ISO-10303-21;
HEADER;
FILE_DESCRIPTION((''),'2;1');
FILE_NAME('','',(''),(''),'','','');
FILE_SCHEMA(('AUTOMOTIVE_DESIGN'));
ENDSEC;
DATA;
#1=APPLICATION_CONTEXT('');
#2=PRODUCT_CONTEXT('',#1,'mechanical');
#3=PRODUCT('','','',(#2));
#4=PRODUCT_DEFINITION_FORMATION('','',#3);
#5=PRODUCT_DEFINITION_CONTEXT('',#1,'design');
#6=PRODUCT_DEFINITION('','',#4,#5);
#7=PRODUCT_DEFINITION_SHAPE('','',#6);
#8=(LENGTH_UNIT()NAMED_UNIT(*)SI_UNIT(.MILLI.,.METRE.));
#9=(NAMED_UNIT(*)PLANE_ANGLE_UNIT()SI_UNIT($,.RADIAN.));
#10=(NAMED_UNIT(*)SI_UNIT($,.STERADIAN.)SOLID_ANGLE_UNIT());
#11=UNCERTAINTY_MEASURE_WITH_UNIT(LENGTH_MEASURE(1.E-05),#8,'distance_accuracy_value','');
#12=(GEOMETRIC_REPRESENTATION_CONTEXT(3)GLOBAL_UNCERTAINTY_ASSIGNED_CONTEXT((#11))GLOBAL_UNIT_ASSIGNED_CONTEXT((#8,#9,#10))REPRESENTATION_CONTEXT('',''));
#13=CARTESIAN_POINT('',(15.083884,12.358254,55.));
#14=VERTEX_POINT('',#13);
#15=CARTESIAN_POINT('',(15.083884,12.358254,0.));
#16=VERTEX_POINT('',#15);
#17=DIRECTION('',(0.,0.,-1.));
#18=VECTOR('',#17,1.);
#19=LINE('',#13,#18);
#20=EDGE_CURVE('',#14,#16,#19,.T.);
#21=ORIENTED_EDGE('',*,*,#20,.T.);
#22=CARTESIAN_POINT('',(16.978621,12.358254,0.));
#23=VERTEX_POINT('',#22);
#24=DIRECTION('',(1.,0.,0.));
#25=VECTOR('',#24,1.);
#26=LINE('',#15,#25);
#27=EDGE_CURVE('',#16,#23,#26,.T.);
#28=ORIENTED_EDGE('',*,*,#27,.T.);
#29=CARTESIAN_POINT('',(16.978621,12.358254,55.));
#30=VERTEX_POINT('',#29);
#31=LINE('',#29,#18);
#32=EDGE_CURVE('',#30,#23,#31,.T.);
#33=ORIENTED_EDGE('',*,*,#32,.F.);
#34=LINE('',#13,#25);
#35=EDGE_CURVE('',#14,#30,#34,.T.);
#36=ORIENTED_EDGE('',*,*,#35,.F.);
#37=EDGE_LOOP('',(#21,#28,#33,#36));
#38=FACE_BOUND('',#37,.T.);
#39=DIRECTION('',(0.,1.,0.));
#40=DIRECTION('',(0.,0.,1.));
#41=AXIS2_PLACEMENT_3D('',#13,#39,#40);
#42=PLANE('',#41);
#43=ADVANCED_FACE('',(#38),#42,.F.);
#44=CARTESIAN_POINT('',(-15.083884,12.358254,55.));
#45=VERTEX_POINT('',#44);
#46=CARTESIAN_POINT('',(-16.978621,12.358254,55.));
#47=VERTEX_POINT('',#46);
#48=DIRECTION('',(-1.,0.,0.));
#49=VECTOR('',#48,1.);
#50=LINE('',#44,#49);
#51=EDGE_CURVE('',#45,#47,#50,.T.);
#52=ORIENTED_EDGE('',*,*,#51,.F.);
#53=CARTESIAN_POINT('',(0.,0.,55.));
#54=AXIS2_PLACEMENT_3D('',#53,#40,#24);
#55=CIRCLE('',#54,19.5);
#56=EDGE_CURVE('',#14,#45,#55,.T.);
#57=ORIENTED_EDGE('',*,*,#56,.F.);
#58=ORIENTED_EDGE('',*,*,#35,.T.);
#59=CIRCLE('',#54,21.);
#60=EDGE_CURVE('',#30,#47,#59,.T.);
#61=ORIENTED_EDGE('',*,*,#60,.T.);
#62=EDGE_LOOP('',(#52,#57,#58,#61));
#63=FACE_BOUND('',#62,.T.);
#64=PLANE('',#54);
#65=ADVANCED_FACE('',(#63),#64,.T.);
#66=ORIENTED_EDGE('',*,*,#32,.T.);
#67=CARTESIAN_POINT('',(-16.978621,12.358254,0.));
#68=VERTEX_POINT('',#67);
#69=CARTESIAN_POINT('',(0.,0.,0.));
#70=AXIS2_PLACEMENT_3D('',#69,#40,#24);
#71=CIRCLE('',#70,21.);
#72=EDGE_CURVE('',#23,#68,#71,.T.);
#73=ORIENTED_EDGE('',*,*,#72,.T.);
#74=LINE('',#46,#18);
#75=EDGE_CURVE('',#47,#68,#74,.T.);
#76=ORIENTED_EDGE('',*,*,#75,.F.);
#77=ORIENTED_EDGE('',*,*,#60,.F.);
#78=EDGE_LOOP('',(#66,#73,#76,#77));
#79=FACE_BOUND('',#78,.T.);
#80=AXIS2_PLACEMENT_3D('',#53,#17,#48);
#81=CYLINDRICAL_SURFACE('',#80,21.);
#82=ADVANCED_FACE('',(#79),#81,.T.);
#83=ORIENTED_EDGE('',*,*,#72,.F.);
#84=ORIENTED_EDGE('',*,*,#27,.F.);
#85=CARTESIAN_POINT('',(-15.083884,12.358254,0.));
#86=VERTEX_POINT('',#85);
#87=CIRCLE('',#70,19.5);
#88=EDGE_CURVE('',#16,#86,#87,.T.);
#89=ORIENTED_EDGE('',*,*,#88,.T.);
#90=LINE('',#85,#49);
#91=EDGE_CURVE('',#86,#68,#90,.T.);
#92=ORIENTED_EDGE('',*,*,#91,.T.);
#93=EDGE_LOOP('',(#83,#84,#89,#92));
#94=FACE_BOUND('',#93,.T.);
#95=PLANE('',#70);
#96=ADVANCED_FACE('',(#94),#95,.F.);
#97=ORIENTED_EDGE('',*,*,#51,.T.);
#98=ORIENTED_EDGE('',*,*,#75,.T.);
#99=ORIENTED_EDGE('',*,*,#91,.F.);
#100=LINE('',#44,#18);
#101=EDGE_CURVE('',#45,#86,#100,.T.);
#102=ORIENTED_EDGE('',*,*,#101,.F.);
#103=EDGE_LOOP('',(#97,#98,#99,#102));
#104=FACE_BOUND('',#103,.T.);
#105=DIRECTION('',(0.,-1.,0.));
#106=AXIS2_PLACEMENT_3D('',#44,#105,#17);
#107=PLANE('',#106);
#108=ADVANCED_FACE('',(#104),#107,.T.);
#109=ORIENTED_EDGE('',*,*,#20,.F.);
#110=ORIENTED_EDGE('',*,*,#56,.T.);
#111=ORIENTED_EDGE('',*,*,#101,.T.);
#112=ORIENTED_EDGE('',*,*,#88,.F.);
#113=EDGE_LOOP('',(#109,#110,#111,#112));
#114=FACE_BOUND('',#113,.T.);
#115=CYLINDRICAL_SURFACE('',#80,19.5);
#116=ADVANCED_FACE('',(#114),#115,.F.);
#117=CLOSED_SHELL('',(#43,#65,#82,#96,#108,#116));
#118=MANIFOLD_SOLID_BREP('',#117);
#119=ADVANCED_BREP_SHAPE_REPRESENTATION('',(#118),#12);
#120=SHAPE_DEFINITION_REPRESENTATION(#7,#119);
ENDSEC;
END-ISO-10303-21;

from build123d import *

# Parameters (mm, degrees)
BOSS_EXTRUDE1_DEPTH = 55


with BuildPart() as part:
    # Sketch1 → Boss-Extrude1 (new body)
    with BuildSketch(Plane.XY):
        with BuildLine():
            Line((-15.083884013, 12.358254047), (-16.978620583, 12.358254047))
            ThreePointArc((-16.978620583, 12.358254047), (0, 21), (16.978620583, 12.358254047))
            Line((16.978620583, 12.358254047), (15.083884013, 12.358254047))
            ThreePointArc((15.083884013, 12.358254047), (0, 19.5), (-15.083884013, 12.358254047))
        make_face()
    extrude(amount=BOSS_EXTRUDE1_DEPTH)


solid = part.part
